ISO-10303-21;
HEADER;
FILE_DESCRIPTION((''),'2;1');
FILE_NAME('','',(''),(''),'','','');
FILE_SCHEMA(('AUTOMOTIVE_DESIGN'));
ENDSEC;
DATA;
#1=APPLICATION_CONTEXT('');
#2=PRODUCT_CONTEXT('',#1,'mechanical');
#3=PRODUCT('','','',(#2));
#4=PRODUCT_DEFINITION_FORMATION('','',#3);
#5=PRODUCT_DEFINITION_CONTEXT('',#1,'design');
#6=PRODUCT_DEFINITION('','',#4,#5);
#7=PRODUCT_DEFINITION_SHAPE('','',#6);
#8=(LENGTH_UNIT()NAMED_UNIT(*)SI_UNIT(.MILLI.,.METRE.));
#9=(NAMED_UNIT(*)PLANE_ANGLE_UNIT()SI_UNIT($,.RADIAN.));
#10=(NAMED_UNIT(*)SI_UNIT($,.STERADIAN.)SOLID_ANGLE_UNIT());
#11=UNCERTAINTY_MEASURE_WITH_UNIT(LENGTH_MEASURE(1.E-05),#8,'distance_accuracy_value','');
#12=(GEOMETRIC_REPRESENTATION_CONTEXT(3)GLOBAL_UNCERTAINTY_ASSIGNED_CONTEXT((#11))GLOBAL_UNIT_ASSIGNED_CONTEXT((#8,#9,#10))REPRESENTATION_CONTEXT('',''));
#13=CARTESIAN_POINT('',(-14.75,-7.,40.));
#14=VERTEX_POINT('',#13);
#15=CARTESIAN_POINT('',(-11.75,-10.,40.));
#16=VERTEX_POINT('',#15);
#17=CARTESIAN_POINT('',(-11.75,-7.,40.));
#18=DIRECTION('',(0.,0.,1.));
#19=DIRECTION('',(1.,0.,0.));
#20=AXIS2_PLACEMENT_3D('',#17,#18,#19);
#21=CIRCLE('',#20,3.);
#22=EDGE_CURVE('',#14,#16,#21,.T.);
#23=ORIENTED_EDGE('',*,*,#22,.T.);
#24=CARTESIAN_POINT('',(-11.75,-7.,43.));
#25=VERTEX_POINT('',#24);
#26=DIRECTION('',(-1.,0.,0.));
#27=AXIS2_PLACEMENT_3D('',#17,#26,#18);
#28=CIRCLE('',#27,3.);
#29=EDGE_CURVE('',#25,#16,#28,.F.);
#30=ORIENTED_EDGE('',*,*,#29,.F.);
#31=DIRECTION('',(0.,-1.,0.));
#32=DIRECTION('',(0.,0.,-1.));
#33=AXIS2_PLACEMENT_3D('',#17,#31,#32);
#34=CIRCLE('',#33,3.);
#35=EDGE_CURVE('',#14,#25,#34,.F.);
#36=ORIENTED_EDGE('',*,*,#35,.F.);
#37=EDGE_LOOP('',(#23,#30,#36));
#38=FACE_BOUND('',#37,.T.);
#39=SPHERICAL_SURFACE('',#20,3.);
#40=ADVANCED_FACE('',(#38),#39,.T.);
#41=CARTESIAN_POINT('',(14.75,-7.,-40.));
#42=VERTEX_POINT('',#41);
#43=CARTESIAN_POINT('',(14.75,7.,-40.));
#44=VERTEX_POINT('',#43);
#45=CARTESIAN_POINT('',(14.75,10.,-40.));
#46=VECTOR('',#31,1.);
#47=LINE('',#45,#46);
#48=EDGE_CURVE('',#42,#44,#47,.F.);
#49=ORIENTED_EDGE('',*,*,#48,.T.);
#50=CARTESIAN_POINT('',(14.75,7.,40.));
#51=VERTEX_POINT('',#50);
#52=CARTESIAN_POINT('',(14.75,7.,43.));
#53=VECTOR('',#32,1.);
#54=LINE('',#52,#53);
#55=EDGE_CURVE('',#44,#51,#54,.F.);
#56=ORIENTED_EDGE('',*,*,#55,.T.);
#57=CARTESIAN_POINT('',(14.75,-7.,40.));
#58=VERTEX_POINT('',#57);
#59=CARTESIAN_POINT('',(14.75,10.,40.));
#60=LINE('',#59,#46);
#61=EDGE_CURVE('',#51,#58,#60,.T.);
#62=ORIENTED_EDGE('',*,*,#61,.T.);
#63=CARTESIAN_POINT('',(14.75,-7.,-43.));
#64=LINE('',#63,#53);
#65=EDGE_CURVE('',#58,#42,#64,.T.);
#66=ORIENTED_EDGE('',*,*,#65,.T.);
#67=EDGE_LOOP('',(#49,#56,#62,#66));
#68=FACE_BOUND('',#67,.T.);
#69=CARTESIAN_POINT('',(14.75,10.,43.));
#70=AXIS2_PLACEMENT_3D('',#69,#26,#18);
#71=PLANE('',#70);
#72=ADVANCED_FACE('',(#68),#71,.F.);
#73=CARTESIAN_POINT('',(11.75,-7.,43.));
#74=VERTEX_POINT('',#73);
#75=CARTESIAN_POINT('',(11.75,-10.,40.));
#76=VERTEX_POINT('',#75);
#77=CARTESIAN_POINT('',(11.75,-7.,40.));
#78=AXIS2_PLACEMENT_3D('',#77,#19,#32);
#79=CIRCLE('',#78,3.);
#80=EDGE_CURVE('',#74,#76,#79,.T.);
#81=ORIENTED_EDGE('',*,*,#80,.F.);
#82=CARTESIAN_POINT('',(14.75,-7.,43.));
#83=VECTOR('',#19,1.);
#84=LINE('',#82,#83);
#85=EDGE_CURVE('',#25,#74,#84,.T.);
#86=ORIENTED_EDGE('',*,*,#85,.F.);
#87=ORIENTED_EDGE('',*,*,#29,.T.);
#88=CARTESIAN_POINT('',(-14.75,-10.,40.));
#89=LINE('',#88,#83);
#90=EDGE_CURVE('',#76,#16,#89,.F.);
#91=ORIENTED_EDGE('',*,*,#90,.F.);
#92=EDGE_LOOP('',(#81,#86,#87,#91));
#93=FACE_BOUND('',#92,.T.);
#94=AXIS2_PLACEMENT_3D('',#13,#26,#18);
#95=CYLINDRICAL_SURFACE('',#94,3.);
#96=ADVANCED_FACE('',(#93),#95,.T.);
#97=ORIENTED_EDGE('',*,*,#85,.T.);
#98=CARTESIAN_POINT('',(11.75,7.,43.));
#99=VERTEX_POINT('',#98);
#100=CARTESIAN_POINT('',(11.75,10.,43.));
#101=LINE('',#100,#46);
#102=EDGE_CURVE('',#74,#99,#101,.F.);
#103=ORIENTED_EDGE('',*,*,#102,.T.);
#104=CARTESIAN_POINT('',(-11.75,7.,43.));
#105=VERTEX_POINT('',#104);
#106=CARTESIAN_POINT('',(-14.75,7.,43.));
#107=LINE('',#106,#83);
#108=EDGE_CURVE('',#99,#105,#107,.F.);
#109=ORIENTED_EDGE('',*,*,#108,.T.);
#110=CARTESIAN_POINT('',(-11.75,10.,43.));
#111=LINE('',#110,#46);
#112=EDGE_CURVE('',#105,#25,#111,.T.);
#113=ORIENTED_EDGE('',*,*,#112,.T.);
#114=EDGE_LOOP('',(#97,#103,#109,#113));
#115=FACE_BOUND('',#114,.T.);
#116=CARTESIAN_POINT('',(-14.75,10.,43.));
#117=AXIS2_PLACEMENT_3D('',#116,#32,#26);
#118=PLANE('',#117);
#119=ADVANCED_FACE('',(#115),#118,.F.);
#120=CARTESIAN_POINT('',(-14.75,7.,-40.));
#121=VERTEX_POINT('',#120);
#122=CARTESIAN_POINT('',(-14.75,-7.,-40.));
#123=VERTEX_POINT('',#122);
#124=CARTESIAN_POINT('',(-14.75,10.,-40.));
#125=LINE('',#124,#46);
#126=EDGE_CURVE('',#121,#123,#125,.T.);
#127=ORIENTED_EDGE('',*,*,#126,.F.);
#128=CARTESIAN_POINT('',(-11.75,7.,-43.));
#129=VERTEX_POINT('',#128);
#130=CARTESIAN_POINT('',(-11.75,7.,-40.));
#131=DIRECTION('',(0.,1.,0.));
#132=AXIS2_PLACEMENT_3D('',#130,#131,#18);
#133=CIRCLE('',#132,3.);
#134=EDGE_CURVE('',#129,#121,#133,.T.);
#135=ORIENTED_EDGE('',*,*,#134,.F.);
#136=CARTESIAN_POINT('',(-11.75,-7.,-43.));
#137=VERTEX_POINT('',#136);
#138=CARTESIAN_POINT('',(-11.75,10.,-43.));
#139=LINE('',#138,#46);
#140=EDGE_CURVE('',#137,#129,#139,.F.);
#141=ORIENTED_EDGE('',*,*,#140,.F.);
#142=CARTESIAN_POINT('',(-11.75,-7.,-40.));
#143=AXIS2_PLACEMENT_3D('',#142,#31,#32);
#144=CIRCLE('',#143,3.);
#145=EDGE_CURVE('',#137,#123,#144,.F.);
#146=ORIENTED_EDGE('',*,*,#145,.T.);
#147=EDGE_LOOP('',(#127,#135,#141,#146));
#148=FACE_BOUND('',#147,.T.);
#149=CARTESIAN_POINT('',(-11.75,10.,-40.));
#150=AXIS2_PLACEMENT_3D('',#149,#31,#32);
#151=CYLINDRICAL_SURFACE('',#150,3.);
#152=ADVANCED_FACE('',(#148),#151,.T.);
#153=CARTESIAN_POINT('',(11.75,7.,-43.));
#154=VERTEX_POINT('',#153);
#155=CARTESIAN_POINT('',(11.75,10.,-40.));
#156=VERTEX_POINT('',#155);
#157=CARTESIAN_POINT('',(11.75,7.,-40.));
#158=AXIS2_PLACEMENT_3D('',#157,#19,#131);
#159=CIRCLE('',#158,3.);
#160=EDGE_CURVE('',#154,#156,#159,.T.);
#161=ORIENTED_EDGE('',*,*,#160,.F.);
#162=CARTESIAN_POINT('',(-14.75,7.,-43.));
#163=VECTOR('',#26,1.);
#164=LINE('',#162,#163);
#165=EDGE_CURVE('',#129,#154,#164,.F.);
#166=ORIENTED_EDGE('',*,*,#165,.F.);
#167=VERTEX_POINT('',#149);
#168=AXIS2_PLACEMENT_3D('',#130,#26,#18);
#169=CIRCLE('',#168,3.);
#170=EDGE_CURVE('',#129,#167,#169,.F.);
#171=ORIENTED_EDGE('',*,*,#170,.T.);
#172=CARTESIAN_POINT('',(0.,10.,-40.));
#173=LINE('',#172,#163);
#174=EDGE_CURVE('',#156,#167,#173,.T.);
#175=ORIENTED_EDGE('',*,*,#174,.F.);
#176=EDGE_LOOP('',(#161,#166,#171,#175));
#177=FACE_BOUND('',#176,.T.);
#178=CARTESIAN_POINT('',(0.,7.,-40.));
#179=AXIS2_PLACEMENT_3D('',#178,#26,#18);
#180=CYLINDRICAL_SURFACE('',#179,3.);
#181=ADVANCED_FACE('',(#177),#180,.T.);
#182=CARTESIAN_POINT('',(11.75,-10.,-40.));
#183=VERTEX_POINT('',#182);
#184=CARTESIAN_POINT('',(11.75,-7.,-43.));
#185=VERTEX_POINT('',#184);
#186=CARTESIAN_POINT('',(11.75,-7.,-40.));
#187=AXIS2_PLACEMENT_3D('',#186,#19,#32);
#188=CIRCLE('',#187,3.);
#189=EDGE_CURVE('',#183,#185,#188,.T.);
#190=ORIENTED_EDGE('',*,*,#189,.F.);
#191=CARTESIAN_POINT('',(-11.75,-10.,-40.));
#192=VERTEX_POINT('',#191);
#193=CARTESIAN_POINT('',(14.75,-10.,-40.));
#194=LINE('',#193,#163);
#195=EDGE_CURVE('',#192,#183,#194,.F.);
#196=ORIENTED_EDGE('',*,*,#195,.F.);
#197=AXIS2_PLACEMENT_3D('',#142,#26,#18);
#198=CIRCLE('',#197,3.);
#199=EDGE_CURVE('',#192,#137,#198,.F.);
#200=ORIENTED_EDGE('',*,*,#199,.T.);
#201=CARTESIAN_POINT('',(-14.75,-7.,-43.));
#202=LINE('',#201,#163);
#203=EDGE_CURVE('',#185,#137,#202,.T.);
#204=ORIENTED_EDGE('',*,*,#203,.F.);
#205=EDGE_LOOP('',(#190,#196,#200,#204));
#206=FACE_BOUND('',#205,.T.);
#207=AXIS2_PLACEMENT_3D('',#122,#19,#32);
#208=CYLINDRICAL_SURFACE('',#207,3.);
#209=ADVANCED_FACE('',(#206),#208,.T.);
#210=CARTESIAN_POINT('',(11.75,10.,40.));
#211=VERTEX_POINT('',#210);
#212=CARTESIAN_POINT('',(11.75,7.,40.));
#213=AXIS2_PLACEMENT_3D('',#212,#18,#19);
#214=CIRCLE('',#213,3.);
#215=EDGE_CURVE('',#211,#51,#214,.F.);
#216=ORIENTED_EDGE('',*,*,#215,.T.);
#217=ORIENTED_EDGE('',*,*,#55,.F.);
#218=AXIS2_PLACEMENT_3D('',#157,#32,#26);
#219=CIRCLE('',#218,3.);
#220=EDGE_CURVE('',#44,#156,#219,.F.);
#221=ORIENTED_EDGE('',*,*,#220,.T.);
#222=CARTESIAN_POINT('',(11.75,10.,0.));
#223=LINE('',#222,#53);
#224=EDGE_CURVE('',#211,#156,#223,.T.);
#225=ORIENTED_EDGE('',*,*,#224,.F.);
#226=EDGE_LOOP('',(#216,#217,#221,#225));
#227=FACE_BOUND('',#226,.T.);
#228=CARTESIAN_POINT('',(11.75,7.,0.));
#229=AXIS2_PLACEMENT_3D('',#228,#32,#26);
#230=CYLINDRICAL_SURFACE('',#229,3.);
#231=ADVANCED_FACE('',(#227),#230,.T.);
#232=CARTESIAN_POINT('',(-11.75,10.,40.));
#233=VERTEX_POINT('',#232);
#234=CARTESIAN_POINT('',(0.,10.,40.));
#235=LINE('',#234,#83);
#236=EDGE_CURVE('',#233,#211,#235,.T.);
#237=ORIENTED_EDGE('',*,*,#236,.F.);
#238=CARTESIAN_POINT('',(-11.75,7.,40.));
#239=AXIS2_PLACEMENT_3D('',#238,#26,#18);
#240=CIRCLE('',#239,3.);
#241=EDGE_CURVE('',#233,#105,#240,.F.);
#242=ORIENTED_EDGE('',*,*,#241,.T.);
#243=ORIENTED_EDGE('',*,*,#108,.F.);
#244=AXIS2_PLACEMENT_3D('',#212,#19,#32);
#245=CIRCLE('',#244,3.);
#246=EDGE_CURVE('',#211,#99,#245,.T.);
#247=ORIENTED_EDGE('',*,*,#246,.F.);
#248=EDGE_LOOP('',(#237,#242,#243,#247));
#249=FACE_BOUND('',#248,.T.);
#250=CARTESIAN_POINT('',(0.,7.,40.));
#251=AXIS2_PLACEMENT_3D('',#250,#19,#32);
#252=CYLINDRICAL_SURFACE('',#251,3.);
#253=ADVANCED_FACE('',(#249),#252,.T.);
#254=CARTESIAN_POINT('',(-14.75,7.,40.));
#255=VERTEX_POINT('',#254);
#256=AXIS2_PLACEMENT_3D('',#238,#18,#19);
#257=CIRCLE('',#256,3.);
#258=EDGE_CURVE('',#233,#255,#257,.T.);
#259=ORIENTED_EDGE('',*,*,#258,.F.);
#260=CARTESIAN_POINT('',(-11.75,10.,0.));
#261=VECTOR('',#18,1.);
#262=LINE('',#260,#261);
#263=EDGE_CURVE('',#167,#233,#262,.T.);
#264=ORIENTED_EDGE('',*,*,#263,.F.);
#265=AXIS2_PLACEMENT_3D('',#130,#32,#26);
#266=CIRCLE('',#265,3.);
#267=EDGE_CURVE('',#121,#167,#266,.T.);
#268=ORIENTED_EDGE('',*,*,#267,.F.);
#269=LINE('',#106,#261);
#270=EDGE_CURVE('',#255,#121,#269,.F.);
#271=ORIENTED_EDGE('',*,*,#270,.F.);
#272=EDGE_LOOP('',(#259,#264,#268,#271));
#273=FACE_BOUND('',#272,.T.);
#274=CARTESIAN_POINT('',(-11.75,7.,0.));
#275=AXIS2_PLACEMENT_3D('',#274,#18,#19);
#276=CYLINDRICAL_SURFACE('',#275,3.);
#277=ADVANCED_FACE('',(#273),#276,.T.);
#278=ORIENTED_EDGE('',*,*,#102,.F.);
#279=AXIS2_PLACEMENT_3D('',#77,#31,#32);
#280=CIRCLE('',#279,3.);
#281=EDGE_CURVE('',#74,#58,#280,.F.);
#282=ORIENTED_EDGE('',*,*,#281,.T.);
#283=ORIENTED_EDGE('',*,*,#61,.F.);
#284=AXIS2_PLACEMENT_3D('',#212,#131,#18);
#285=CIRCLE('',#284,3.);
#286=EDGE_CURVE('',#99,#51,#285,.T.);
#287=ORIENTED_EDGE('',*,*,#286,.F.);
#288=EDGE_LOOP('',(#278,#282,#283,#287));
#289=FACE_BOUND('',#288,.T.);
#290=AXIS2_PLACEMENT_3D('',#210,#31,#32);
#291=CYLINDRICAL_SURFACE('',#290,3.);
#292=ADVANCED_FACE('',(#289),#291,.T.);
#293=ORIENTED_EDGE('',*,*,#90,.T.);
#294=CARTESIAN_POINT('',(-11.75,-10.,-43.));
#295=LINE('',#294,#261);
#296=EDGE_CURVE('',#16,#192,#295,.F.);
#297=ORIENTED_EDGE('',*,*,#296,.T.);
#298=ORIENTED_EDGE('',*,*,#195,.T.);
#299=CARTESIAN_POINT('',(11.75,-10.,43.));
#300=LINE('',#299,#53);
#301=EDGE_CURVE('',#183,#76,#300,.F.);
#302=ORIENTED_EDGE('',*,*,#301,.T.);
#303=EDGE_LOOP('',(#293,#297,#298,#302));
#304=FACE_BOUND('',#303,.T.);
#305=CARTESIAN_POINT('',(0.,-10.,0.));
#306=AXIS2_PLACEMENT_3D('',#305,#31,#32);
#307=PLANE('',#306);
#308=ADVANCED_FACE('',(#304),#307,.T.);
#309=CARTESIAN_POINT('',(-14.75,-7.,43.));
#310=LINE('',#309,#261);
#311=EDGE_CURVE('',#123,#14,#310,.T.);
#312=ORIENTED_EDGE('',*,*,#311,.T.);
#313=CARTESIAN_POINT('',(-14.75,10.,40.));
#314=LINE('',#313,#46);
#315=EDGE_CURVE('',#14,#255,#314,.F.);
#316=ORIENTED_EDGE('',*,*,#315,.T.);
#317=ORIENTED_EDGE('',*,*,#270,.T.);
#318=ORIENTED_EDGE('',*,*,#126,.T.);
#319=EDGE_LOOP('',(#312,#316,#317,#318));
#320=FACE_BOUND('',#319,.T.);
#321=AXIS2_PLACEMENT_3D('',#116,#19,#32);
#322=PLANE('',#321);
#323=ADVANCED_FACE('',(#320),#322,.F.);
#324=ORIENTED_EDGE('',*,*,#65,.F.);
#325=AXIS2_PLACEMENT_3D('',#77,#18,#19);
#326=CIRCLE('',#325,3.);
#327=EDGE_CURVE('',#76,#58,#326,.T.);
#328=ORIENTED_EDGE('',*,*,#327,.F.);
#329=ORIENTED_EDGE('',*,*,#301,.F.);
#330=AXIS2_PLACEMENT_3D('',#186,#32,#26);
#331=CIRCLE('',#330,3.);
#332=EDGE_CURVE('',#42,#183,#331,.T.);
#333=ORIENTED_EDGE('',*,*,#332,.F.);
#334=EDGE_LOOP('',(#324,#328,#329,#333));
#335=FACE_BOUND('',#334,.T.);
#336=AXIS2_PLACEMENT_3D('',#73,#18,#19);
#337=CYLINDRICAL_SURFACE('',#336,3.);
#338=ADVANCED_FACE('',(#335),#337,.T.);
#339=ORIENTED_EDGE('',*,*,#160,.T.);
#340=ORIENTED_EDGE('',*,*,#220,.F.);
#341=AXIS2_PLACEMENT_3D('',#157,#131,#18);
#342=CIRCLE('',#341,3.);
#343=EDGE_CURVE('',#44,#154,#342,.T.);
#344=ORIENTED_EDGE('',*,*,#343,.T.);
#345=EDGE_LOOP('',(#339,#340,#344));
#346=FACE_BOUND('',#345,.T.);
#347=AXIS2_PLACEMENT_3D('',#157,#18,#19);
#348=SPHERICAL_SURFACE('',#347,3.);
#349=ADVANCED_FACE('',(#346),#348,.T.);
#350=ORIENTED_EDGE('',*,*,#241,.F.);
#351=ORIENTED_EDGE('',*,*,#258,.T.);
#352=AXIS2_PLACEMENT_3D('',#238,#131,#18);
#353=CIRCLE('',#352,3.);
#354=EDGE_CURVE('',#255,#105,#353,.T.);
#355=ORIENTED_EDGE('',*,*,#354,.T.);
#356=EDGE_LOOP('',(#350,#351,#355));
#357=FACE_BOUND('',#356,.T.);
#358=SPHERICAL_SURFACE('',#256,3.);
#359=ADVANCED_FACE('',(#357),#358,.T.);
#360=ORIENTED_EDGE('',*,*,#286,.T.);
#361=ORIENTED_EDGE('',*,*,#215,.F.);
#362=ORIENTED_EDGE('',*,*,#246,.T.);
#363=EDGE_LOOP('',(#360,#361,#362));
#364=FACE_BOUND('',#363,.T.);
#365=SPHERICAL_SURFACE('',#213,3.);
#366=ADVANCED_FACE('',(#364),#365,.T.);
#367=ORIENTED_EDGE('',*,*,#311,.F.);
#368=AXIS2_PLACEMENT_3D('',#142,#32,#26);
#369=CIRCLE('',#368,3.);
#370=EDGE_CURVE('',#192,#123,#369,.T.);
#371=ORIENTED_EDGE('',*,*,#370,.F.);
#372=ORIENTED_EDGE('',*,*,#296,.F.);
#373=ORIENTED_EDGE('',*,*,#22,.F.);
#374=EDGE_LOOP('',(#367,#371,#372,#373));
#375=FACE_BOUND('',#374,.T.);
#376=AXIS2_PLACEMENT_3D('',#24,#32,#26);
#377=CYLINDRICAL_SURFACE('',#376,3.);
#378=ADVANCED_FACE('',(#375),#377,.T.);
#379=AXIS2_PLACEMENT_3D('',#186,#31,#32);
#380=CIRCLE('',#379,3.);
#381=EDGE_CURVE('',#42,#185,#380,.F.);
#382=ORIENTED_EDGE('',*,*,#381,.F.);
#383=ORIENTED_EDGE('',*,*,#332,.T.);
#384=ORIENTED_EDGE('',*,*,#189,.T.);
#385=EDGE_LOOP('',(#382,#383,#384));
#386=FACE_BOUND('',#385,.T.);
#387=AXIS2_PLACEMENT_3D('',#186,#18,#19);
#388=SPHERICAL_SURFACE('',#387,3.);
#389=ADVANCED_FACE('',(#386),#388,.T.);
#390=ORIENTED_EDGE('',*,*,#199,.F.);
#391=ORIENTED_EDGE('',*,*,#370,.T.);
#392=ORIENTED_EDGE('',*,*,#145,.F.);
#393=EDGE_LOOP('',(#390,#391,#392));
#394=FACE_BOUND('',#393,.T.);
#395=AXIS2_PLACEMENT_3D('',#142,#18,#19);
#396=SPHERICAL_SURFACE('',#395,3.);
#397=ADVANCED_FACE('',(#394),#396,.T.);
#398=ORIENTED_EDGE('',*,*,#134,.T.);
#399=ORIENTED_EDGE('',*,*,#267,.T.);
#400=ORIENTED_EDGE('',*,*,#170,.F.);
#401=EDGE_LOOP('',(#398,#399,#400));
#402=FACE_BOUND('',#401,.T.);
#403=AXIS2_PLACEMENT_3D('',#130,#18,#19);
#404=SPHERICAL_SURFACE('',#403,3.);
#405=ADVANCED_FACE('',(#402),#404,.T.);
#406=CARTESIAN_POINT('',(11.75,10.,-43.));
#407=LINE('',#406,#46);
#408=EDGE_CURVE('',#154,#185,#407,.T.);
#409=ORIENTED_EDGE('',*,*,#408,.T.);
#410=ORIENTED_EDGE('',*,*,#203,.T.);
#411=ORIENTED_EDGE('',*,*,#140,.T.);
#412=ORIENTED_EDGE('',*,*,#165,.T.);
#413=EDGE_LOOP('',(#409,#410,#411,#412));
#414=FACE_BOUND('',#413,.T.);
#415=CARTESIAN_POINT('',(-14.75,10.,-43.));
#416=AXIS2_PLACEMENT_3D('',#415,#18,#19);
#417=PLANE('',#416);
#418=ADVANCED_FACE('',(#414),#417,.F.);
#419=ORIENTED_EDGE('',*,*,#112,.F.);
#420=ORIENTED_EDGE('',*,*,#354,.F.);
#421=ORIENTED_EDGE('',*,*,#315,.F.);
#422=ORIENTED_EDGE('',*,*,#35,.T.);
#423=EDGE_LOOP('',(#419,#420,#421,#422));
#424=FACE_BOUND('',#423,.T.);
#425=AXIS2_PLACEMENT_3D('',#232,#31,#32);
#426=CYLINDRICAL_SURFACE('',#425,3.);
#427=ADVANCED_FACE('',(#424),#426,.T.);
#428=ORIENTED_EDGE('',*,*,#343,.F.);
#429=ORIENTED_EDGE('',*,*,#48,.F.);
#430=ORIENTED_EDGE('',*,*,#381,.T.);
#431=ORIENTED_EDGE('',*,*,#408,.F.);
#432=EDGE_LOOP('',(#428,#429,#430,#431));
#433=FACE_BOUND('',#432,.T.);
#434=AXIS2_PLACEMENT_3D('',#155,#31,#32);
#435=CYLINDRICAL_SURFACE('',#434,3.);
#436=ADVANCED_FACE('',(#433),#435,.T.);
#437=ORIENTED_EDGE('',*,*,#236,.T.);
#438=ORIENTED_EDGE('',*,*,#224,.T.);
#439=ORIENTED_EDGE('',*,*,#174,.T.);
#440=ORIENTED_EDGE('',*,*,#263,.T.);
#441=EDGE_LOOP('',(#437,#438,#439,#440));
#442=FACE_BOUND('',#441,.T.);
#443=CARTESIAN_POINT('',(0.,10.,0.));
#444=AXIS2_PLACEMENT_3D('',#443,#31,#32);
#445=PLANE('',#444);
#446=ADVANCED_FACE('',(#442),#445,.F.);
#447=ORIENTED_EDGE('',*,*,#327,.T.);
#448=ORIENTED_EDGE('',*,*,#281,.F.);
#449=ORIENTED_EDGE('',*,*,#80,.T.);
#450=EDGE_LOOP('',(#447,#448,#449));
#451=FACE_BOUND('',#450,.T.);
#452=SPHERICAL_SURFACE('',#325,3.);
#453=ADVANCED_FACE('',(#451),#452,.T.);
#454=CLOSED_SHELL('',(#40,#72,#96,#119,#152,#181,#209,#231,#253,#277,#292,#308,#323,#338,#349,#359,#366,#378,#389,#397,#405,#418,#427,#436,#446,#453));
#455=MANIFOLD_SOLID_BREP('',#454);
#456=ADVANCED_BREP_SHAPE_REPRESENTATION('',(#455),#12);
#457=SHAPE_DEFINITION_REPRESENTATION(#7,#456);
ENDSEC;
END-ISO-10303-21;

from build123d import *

# Parameters (mm, degrees)
SKETCH1_W           = 29.5
SKETCH1_H           = 86
BOSS_EXTRUDE1_DEPTH = 10
FILLET1_R           = 3


with BuildPart() as part:
    # Sketch1 → Boss-Extrude1 (new, symmetric)
    with BuildSketch(Plane(origin=(0, 0, 0), x_dir=(1, 0, 0), z_dir=(0, 1, 0))):
        Rectangle(SKETCH1_W, SKETCH1_H)
    extrude(amount=BOSS_EXTRUDE1_DEPTH, both=True)

    # Fillet1
    fillet1_edges = [part.edges().sort_by_distance(p)[0] for p in [
        (-14.75, 10, 0),
        (0, 10, 43),
        (14.75, 10, 0),
        (0, -10, 43),
        (-14.75, -10, 0),
        (0, -10, -43),
        (14.75, -10, 0),
        (14.75, 0, 43),
        (-14.75, 0, 43),
        (-14.75, 0, -43),
        (14.75, 0, -43),
        (0, 10, -43),
    ]]
    fillet(fillet1_edges, radius=FILLET1_R)


solid = part.part
